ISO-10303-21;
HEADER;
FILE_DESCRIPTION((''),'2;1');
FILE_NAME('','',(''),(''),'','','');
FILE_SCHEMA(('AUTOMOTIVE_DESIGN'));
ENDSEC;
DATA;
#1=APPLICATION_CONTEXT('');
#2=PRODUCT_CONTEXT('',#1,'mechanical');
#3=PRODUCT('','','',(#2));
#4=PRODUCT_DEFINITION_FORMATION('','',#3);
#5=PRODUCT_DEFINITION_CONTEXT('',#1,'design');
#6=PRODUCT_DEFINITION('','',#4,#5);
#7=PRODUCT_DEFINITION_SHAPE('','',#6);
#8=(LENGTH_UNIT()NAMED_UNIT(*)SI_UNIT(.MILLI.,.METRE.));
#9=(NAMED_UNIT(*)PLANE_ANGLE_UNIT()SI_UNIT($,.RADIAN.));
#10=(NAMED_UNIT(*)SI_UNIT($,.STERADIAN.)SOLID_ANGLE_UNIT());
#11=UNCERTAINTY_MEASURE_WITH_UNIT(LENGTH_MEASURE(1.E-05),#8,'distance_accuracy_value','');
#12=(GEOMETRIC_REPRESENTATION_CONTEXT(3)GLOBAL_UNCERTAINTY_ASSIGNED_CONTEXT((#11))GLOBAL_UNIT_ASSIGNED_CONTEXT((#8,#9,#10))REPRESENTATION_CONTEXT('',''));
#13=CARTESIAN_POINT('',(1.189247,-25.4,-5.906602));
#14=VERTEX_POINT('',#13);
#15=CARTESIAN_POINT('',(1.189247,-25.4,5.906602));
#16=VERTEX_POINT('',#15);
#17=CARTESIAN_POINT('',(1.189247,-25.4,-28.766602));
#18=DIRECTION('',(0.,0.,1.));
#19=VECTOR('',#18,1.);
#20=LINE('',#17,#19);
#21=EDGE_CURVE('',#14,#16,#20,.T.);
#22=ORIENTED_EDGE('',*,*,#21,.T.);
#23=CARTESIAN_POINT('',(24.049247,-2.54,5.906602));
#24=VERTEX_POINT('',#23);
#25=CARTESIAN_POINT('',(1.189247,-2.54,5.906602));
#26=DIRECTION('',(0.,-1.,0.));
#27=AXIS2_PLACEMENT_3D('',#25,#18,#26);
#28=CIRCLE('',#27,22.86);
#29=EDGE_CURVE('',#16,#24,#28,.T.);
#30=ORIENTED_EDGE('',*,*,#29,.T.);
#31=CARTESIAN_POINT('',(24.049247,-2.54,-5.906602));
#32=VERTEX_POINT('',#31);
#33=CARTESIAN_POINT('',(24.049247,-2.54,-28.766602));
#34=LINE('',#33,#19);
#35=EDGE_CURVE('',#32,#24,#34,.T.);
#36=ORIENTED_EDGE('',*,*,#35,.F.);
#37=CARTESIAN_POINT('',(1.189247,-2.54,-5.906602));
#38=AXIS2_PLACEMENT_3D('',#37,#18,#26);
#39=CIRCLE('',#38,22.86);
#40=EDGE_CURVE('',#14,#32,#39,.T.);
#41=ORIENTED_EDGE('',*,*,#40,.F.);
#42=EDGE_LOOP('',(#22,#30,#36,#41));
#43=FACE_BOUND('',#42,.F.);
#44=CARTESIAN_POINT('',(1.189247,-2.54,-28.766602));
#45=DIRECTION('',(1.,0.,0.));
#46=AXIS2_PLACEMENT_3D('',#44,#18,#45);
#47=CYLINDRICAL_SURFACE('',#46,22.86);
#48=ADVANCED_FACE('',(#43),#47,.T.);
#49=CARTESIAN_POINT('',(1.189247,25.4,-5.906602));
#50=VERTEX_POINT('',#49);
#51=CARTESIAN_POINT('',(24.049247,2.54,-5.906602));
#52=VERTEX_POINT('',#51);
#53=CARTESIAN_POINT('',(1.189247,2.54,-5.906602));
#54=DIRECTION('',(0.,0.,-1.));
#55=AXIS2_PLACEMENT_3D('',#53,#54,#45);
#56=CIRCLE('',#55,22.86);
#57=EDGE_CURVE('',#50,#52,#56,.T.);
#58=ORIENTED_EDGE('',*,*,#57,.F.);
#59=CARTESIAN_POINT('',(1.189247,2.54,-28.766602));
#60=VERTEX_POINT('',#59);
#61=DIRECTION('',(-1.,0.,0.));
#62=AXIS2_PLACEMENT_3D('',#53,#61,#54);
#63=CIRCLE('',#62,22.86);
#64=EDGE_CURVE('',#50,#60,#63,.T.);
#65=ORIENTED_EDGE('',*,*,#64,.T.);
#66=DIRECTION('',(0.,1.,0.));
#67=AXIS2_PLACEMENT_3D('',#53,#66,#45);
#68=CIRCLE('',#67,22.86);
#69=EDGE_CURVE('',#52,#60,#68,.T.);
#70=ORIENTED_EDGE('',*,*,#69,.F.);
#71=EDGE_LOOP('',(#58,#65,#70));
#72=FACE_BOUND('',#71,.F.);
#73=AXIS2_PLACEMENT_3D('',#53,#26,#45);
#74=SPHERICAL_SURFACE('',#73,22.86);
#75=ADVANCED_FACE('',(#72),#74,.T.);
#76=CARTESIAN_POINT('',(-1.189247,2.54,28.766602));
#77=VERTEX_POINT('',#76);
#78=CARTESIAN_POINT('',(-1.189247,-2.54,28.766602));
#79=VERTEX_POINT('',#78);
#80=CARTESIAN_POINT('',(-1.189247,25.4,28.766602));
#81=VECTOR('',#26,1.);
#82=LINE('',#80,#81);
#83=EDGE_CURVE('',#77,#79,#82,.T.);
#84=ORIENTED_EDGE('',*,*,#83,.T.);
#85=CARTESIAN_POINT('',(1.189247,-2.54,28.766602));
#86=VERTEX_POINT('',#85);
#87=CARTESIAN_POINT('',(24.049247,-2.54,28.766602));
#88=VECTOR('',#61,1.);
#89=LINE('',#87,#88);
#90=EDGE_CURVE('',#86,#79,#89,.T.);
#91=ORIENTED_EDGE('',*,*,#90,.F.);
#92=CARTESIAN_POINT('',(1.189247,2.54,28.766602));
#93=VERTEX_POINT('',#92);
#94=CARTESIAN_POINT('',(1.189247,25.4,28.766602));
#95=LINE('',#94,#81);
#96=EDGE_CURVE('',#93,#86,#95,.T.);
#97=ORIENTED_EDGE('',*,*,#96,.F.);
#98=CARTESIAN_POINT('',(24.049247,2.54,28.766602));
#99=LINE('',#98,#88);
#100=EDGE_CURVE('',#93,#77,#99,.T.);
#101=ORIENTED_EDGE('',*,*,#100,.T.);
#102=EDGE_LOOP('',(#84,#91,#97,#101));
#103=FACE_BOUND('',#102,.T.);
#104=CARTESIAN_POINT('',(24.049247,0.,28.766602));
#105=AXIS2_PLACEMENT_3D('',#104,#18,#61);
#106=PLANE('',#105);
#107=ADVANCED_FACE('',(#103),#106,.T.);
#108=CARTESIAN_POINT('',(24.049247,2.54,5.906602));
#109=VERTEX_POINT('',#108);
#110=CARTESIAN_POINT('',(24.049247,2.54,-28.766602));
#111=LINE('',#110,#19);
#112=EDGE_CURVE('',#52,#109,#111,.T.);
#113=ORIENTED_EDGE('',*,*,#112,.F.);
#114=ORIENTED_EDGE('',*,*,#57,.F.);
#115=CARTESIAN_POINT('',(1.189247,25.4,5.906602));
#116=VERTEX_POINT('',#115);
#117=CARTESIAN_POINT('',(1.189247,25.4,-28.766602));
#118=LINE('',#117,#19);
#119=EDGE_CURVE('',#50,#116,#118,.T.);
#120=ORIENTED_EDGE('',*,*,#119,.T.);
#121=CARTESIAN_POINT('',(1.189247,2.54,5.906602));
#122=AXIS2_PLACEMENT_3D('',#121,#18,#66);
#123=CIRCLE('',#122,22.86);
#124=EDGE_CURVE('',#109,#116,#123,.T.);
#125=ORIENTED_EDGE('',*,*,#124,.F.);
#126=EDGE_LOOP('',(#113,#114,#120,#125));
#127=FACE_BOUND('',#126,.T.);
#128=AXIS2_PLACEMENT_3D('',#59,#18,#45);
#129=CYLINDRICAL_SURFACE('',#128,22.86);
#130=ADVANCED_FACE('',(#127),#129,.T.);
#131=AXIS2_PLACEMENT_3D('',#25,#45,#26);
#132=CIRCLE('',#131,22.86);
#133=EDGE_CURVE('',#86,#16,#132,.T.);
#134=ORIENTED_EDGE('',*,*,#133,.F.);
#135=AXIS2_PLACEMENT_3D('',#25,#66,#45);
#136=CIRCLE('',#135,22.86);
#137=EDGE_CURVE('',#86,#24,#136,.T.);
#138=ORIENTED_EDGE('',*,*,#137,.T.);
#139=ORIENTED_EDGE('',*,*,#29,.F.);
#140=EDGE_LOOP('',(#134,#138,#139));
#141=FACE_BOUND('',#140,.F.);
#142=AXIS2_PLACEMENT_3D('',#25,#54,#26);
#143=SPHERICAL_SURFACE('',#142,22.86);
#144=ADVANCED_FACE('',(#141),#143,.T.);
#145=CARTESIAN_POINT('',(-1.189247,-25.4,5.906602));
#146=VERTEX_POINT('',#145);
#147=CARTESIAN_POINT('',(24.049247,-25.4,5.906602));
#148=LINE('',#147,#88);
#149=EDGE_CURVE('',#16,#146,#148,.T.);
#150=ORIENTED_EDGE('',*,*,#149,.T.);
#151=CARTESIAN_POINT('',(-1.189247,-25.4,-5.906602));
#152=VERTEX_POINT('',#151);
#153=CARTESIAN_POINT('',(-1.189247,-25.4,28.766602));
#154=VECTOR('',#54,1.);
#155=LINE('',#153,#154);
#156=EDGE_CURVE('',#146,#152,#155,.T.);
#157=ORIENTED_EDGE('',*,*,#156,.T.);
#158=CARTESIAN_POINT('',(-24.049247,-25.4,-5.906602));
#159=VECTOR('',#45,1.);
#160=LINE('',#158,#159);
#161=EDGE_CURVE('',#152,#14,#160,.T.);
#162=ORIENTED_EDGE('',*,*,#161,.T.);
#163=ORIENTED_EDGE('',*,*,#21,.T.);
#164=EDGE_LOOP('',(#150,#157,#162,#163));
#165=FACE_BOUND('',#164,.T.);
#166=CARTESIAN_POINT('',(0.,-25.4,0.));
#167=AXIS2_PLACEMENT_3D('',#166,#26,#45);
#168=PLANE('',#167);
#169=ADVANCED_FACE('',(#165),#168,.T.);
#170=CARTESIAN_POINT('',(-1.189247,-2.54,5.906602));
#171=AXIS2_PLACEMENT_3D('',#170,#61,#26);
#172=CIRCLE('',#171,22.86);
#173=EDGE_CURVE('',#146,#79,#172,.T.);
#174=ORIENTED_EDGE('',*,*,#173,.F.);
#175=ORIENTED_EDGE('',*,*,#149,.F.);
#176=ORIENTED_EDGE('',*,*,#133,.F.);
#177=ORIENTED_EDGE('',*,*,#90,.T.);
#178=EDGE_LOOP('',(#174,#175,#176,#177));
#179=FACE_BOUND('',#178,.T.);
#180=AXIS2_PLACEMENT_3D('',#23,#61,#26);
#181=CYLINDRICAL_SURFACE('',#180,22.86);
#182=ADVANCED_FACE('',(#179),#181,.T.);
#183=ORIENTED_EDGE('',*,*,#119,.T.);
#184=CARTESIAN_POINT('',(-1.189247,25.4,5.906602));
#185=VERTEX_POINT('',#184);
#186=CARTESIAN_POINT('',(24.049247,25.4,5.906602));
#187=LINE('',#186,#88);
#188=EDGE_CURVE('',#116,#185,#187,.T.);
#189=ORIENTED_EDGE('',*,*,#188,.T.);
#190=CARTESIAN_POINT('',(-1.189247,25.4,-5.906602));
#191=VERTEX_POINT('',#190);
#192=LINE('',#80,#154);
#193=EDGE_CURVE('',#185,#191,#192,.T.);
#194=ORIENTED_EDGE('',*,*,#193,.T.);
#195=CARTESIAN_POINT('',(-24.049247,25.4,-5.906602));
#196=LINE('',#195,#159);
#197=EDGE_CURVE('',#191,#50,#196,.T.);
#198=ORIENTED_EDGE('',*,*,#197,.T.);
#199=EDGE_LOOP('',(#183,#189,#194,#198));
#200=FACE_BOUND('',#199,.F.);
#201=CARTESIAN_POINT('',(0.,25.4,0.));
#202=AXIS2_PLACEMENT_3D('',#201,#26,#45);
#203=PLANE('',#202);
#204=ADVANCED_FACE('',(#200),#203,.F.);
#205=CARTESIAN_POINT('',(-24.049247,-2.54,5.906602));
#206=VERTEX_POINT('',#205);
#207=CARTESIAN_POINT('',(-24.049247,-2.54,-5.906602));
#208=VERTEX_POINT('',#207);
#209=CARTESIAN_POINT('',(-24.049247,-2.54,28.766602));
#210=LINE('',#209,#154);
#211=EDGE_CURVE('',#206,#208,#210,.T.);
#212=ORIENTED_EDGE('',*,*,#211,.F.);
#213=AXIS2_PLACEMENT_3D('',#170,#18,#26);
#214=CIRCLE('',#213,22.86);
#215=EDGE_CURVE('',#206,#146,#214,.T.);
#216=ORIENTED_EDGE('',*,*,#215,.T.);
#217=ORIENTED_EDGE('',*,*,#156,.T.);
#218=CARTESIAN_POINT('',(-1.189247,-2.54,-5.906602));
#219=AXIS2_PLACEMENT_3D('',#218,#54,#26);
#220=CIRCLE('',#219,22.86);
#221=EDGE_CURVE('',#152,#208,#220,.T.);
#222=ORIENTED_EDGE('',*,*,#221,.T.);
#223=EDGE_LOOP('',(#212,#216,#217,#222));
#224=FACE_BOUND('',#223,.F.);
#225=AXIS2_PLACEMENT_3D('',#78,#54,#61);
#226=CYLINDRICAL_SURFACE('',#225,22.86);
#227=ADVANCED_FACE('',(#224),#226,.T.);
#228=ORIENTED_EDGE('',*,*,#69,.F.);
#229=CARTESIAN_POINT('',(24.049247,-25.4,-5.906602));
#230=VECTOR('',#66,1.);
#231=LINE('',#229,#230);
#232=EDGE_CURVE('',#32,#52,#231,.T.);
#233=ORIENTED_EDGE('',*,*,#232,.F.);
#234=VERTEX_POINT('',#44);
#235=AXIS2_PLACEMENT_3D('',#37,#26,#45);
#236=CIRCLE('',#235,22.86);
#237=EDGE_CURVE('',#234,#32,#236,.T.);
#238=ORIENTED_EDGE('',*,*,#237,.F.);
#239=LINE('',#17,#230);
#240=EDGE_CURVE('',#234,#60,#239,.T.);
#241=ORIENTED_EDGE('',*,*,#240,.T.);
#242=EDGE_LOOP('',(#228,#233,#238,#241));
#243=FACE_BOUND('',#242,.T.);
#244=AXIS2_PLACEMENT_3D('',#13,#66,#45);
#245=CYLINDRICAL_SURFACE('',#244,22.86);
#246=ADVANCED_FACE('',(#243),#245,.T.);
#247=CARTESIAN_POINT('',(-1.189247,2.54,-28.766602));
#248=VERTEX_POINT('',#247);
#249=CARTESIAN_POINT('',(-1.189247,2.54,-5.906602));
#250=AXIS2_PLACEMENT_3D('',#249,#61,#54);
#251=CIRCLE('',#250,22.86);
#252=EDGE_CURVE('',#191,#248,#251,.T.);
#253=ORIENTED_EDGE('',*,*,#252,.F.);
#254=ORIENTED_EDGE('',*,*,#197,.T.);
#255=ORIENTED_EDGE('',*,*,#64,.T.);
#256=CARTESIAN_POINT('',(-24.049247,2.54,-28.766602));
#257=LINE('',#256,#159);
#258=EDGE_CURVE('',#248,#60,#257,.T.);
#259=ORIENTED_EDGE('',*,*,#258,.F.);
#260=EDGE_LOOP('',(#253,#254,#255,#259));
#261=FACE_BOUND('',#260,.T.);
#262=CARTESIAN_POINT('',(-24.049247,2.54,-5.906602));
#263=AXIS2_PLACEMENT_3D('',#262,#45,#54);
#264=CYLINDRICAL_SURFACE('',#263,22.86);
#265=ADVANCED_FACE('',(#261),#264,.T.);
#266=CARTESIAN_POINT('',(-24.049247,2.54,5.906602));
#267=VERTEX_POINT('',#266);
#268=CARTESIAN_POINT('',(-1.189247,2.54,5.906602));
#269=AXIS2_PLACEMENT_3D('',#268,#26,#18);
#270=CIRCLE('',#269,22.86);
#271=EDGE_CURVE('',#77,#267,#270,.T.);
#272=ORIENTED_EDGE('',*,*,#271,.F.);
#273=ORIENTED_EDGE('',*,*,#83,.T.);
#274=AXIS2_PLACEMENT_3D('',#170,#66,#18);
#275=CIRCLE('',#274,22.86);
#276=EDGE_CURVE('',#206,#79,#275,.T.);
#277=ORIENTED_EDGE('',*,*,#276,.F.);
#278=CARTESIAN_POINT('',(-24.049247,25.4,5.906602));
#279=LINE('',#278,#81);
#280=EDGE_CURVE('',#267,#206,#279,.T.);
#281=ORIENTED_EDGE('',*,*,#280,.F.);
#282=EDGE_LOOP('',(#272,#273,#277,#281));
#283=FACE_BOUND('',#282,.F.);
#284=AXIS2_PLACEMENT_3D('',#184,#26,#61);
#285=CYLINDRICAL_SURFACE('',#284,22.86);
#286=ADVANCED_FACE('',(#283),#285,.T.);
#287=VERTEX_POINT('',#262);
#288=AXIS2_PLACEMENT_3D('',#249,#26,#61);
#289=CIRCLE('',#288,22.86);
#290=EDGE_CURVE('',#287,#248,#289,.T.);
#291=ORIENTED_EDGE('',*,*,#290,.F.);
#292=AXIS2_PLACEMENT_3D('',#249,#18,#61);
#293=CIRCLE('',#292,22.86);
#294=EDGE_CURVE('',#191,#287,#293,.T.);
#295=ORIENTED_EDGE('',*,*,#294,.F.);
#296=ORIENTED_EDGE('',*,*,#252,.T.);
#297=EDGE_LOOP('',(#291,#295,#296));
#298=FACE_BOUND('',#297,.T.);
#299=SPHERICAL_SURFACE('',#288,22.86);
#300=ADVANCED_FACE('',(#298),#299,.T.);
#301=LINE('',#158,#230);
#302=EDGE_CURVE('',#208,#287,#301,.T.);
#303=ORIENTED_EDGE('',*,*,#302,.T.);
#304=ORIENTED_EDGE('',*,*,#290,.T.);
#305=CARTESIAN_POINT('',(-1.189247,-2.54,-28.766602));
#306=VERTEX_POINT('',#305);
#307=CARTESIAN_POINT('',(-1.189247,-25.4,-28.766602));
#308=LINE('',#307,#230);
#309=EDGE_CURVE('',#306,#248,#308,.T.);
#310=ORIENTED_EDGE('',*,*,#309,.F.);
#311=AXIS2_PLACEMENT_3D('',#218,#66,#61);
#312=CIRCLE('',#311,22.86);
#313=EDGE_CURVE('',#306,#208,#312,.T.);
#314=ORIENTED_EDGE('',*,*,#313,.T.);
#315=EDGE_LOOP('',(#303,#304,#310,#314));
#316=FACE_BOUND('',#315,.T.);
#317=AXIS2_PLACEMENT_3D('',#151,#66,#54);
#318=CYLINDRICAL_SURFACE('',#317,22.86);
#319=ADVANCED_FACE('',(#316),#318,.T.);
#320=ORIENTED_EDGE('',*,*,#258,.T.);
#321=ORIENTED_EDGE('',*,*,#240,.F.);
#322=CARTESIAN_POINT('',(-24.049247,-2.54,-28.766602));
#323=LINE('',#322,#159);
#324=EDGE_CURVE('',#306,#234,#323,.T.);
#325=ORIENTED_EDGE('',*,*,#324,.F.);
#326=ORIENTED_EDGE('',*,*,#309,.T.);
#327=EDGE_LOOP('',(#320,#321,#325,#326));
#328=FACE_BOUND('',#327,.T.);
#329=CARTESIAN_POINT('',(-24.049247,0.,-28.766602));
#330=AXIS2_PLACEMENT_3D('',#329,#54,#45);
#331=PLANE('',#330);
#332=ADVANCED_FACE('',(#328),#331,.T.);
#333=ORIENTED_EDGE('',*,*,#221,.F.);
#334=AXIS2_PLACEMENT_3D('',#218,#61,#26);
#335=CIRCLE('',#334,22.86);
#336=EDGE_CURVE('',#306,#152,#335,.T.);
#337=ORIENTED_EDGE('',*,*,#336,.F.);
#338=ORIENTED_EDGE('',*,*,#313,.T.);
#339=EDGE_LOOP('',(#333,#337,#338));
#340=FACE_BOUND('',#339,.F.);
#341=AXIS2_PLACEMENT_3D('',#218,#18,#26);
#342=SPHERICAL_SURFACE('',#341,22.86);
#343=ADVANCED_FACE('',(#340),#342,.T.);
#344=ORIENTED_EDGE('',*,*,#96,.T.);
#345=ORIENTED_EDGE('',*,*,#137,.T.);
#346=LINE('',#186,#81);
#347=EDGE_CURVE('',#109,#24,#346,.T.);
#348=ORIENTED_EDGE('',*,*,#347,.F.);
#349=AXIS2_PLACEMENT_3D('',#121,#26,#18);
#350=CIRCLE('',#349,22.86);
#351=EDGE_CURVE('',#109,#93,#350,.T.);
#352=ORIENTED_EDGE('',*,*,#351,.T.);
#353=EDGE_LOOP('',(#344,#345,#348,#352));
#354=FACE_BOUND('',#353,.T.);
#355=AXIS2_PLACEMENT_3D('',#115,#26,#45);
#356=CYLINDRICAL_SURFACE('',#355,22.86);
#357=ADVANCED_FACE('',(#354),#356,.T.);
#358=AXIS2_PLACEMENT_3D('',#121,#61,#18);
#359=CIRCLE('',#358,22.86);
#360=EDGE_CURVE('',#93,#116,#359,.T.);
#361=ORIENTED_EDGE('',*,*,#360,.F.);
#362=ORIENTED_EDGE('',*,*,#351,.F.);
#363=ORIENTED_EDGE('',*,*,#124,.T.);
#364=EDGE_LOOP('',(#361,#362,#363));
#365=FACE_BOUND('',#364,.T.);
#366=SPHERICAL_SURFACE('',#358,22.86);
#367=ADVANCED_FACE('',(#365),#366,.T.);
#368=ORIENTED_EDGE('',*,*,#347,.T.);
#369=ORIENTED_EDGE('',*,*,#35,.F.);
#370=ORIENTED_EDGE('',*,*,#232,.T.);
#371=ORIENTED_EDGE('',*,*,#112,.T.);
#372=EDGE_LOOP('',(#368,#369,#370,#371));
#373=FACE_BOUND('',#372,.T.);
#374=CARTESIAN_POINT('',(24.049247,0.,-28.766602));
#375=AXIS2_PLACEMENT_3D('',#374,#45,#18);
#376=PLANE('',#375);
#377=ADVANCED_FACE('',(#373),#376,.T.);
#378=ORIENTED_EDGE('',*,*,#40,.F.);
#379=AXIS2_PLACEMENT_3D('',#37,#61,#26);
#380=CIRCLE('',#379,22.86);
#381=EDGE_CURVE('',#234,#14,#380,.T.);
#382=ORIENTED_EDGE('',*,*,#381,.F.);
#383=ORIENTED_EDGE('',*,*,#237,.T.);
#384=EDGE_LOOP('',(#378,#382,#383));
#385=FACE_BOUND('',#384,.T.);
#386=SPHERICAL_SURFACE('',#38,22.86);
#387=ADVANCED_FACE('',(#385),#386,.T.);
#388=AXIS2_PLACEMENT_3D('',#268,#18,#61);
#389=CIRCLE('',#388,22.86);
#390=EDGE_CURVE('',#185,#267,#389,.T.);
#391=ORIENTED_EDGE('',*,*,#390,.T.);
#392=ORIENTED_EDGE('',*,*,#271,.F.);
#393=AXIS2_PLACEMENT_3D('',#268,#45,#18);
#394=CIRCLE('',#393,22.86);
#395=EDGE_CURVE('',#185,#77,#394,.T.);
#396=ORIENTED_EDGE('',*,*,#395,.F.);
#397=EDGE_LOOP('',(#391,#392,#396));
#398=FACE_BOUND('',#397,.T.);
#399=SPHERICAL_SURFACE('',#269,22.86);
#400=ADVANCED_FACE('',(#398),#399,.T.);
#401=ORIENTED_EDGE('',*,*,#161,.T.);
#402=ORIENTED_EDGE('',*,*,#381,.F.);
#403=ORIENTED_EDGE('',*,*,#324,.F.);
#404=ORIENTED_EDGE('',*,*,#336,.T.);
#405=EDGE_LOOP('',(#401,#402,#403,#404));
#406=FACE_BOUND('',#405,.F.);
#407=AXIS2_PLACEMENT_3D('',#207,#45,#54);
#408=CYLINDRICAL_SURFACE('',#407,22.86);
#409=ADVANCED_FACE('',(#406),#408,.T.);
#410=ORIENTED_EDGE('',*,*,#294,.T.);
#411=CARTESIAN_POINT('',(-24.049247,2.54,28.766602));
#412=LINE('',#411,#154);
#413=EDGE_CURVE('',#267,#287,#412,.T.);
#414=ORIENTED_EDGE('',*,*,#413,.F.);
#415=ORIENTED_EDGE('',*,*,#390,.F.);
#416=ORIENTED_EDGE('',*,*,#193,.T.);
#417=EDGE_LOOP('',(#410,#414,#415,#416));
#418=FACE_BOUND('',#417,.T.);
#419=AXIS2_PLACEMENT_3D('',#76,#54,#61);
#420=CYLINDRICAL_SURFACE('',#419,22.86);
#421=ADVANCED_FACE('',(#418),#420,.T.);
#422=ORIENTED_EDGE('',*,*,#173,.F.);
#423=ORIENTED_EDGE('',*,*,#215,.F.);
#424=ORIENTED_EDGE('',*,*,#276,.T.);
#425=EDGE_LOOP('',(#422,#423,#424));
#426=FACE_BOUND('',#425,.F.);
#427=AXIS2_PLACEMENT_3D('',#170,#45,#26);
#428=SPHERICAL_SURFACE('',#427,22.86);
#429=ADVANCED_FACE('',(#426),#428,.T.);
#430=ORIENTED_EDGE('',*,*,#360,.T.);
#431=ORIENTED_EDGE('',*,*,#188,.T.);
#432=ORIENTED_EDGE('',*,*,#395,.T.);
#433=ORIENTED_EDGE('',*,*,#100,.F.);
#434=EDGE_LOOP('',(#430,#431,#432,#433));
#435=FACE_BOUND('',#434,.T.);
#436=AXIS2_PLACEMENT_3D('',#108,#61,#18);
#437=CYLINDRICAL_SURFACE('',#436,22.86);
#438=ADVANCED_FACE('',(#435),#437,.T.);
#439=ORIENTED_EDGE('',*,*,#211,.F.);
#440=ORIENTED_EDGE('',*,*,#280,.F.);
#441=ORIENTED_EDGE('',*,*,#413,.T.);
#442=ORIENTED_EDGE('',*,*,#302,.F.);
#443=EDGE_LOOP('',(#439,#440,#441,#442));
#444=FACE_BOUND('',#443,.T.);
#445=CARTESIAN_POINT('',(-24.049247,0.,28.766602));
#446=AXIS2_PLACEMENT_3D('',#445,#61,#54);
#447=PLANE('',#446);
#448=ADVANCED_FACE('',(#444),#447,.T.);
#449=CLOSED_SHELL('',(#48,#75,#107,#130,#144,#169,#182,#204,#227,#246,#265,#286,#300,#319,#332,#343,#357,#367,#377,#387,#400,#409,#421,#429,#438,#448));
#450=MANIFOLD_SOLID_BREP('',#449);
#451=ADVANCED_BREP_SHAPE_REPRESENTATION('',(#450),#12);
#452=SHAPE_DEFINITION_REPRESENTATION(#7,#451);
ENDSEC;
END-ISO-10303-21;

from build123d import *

# Parameters (mm, degrees)
F1_DEPTH      = 25.4
F1_DEPTH_BACK = 25.4
F2_R          = 22.86


with BuildPart() as f1:
    # F0 (on Front) → F1 (new body, two sides)
    with BuildSketch(Plane.XZ) as f1_sk:
        Polygon((24.049247, -28.766602), (24.049247, 0), (24.049247, 28.766602), (0, 28.766602), (-24.049247, 28.766602), (-24.049247, 0), (-24.049247, -28.766602), (0, -28.766602), align=None)
    extrude(amount=F1_DEPTH)
    extrude(f1_sk.sketch, amount=-F1_DEPTH_BACK)

    # F2
    f2_edges = [f1.edges().sort_by_distance(p)[0] for p in [
        (24.049247, -25.4, 0),
        (0, -25.4, 28.766602),
        (-24.049247, -25.4, 0),
        (0, -25.4, -28.766602),
        (-24.049247, 0, 28.766602),
        (0, 25.4, 28.766602),
        (24.049247, 0, 28.766602),
        (-24.049247, 0, -28.766602),
        (-24.049247, 25.4, 0),
        (24.049247, 0, -28.766602),
        (24.049247, 25.4, 0),
        (0, 25.4, -28.766602),
    ]]
    fillet(f2_edges, radius=F2_R)


solid = f1.part
